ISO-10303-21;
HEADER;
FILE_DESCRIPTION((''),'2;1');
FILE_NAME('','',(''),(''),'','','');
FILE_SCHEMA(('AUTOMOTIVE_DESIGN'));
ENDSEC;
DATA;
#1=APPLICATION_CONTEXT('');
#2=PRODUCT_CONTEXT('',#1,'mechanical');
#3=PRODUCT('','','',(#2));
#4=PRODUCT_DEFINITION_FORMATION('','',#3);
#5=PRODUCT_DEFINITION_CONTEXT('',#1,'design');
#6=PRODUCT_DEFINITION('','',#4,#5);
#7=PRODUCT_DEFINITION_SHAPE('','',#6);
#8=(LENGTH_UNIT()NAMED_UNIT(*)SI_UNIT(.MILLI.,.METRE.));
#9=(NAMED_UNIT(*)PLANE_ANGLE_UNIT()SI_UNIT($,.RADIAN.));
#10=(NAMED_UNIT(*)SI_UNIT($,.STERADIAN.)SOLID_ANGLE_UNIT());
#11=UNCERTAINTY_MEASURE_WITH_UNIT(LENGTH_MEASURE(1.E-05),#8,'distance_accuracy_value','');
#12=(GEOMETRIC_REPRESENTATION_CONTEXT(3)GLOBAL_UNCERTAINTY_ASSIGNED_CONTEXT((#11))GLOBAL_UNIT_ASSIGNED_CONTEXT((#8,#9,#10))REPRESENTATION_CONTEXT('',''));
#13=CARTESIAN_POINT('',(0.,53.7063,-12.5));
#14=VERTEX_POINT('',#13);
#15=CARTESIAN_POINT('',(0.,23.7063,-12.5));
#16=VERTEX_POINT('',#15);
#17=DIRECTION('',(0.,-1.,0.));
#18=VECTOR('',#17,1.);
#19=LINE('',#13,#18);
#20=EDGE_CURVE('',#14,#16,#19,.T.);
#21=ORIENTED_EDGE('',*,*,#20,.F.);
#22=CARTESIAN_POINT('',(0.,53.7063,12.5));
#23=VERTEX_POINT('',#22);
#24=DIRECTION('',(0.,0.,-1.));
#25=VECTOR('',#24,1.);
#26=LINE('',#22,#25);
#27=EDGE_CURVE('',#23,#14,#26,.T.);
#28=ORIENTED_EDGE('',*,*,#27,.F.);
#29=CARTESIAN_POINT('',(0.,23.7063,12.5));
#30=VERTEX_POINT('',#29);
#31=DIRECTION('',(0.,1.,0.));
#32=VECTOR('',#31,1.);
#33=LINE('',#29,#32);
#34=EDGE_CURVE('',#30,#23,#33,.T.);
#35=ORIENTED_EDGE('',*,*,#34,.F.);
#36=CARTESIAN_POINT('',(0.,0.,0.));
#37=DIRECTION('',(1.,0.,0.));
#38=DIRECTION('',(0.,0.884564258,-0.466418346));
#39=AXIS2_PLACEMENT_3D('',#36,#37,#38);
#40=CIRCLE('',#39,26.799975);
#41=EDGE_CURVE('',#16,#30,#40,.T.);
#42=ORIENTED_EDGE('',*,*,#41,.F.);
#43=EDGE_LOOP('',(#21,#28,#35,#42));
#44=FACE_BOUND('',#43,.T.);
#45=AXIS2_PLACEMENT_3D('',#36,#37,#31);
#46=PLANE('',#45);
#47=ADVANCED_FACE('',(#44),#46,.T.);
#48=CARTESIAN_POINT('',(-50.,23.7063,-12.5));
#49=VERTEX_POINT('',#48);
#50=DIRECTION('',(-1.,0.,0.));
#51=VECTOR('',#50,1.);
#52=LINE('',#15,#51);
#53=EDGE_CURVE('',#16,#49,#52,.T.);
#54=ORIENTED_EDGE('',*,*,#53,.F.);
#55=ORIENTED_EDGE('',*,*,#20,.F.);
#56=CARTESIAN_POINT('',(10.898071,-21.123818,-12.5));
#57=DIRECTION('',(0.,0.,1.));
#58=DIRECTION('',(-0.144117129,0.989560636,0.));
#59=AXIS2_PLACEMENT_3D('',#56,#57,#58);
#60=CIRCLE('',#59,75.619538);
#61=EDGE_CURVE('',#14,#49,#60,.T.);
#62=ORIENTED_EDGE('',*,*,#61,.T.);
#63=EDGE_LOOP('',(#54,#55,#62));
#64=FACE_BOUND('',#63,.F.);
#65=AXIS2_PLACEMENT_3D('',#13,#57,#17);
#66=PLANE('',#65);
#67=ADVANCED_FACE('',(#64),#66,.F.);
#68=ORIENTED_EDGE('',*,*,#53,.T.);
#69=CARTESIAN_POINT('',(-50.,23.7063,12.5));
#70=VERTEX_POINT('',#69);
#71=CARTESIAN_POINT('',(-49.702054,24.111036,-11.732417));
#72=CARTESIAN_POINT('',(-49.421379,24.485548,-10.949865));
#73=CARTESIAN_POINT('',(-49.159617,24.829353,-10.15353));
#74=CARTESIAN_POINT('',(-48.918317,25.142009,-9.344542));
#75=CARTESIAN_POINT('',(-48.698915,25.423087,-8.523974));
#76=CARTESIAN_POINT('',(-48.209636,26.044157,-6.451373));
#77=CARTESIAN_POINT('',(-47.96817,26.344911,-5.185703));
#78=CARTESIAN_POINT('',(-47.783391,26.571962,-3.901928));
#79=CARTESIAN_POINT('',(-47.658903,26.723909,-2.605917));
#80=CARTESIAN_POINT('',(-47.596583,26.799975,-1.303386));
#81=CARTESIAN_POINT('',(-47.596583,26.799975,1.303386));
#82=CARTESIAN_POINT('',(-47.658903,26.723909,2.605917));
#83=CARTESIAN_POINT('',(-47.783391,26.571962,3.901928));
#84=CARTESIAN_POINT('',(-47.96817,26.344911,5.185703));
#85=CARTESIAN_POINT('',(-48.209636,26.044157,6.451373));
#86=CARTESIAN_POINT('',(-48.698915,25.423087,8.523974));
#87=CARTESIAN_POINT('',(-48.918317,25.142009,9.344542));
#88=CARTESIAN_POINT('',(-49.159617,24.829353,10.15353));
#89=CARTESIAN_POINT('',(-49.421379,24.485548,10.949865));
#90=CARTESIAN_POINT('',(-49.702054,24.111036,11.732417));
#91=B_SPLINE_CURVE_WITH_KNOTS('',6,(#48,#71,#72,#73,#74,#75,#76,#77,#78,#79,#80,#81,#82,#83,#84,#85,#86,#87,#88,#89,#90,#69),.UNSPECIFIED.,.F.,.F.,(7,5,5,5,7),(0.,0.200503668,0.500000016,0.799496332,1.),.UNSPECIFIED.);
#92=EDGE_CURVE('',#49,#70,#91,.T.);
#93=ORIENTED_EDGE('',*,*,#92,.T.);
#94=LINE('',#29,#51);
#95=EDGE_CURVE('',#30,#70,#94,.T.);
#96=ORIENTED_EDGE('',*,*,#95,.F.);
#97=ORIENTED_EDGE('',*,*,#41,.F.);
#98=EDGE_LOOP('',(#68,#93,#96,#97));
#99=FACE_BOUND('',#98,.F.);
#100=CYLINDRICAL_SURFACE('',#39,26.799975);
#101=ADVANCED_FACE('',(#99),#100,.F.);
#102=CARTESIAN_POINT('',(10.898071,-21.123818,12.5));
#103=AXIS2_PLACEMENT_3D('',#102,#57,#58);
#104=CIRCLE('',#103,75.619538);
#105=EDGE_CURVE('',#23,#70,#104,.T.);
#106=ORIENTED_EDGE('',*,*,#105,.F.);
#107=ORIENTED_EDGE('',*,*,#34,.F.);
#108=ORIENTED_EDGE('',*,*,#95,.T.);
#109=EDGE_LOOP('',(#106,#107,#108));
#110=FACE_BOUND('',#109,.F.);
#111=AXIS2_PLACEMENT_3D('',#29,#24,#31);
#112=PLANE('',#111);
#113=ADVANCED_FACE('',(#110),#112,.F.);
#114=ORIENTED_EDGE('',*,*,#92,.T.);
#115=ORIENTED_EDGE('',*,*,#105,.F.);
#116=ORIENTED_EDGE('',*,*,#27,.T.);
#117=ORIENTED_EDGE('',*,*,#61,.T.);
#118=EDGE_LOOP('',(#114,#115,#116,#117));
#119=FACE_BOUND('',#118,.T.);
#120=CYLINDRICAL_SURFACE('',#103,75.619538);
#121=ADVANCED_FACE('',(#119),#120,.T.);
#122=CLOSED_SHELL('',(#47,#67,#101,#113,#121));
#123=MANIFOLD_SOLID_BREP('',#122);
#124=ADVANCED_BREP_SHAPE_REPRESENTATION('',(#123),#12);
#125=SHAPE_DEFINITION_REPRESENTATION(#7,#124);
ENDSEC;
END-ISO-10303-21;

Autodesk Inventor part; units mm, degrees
ref_plane "YZ Plane" through (0, 0, 0) normal (1, 0, 0) x (0, 1, 0)
ref_plane "XZ Plane" through (0, 0, 0) normal (0, 1, 0) x (-1, 0, 0)
ref_plane "XY Plane" through (0, 0, 0) normal (0, 0, 1) x (1, 0, 0)
sketch "Sketch1" plane through (0, 0, 0) normal (1, 0, 0) x (0, 1, 0)
  arc A0 (23.7063, -12.5) -> (23.7063, 12.5) centre (0, 0) ccw
  line L0 (23.7063, 12.5) -> (53.7063, 12.5)
  line L1 (53.7063, 12.5) -> (53.7063, -12.5)
  line L2 (53.7063, -12.5) -> (23.7063, -12.5)
  line L3 (23.7063, 12.5) -> (23.7063, -12.5)
  dimension "d0" = 53.6
  dimension "d3" = 30
  dimension "d4" = 25
  dimension "d5" = 26.8
extrude "Extrusion1" add sketch "Sketch1" against normal blind 50 contours A0 L0 L1 L2
sketch "Sketch2" plane through (0, 23.7063, 12.5) normal (0, 0, 1) x (1, 0, 0)
  line L0 (0, 30) -> (0, 0) projected
  line L1 (-50, 0) -> (-50, 3.0937) projected
  arc A0 (0, 30) -> (-50, 0) centre (10.8981, -44.8302) ccw
  line L2 (0, 30) -> (-50, 30) projected
  line L3 (0, 30) -> (-50, 30)
  line L4 (0, 0) -> (-50, 0) projected
  line L5 (-50, 30) -> (-50, 0)
  point P0 (0, -23.7063)
extrude "Extrusion2" cut sketch "Sketch2" against normal blind 25 contours A0 L1 L5 L2
properties part number "picameraholder"
